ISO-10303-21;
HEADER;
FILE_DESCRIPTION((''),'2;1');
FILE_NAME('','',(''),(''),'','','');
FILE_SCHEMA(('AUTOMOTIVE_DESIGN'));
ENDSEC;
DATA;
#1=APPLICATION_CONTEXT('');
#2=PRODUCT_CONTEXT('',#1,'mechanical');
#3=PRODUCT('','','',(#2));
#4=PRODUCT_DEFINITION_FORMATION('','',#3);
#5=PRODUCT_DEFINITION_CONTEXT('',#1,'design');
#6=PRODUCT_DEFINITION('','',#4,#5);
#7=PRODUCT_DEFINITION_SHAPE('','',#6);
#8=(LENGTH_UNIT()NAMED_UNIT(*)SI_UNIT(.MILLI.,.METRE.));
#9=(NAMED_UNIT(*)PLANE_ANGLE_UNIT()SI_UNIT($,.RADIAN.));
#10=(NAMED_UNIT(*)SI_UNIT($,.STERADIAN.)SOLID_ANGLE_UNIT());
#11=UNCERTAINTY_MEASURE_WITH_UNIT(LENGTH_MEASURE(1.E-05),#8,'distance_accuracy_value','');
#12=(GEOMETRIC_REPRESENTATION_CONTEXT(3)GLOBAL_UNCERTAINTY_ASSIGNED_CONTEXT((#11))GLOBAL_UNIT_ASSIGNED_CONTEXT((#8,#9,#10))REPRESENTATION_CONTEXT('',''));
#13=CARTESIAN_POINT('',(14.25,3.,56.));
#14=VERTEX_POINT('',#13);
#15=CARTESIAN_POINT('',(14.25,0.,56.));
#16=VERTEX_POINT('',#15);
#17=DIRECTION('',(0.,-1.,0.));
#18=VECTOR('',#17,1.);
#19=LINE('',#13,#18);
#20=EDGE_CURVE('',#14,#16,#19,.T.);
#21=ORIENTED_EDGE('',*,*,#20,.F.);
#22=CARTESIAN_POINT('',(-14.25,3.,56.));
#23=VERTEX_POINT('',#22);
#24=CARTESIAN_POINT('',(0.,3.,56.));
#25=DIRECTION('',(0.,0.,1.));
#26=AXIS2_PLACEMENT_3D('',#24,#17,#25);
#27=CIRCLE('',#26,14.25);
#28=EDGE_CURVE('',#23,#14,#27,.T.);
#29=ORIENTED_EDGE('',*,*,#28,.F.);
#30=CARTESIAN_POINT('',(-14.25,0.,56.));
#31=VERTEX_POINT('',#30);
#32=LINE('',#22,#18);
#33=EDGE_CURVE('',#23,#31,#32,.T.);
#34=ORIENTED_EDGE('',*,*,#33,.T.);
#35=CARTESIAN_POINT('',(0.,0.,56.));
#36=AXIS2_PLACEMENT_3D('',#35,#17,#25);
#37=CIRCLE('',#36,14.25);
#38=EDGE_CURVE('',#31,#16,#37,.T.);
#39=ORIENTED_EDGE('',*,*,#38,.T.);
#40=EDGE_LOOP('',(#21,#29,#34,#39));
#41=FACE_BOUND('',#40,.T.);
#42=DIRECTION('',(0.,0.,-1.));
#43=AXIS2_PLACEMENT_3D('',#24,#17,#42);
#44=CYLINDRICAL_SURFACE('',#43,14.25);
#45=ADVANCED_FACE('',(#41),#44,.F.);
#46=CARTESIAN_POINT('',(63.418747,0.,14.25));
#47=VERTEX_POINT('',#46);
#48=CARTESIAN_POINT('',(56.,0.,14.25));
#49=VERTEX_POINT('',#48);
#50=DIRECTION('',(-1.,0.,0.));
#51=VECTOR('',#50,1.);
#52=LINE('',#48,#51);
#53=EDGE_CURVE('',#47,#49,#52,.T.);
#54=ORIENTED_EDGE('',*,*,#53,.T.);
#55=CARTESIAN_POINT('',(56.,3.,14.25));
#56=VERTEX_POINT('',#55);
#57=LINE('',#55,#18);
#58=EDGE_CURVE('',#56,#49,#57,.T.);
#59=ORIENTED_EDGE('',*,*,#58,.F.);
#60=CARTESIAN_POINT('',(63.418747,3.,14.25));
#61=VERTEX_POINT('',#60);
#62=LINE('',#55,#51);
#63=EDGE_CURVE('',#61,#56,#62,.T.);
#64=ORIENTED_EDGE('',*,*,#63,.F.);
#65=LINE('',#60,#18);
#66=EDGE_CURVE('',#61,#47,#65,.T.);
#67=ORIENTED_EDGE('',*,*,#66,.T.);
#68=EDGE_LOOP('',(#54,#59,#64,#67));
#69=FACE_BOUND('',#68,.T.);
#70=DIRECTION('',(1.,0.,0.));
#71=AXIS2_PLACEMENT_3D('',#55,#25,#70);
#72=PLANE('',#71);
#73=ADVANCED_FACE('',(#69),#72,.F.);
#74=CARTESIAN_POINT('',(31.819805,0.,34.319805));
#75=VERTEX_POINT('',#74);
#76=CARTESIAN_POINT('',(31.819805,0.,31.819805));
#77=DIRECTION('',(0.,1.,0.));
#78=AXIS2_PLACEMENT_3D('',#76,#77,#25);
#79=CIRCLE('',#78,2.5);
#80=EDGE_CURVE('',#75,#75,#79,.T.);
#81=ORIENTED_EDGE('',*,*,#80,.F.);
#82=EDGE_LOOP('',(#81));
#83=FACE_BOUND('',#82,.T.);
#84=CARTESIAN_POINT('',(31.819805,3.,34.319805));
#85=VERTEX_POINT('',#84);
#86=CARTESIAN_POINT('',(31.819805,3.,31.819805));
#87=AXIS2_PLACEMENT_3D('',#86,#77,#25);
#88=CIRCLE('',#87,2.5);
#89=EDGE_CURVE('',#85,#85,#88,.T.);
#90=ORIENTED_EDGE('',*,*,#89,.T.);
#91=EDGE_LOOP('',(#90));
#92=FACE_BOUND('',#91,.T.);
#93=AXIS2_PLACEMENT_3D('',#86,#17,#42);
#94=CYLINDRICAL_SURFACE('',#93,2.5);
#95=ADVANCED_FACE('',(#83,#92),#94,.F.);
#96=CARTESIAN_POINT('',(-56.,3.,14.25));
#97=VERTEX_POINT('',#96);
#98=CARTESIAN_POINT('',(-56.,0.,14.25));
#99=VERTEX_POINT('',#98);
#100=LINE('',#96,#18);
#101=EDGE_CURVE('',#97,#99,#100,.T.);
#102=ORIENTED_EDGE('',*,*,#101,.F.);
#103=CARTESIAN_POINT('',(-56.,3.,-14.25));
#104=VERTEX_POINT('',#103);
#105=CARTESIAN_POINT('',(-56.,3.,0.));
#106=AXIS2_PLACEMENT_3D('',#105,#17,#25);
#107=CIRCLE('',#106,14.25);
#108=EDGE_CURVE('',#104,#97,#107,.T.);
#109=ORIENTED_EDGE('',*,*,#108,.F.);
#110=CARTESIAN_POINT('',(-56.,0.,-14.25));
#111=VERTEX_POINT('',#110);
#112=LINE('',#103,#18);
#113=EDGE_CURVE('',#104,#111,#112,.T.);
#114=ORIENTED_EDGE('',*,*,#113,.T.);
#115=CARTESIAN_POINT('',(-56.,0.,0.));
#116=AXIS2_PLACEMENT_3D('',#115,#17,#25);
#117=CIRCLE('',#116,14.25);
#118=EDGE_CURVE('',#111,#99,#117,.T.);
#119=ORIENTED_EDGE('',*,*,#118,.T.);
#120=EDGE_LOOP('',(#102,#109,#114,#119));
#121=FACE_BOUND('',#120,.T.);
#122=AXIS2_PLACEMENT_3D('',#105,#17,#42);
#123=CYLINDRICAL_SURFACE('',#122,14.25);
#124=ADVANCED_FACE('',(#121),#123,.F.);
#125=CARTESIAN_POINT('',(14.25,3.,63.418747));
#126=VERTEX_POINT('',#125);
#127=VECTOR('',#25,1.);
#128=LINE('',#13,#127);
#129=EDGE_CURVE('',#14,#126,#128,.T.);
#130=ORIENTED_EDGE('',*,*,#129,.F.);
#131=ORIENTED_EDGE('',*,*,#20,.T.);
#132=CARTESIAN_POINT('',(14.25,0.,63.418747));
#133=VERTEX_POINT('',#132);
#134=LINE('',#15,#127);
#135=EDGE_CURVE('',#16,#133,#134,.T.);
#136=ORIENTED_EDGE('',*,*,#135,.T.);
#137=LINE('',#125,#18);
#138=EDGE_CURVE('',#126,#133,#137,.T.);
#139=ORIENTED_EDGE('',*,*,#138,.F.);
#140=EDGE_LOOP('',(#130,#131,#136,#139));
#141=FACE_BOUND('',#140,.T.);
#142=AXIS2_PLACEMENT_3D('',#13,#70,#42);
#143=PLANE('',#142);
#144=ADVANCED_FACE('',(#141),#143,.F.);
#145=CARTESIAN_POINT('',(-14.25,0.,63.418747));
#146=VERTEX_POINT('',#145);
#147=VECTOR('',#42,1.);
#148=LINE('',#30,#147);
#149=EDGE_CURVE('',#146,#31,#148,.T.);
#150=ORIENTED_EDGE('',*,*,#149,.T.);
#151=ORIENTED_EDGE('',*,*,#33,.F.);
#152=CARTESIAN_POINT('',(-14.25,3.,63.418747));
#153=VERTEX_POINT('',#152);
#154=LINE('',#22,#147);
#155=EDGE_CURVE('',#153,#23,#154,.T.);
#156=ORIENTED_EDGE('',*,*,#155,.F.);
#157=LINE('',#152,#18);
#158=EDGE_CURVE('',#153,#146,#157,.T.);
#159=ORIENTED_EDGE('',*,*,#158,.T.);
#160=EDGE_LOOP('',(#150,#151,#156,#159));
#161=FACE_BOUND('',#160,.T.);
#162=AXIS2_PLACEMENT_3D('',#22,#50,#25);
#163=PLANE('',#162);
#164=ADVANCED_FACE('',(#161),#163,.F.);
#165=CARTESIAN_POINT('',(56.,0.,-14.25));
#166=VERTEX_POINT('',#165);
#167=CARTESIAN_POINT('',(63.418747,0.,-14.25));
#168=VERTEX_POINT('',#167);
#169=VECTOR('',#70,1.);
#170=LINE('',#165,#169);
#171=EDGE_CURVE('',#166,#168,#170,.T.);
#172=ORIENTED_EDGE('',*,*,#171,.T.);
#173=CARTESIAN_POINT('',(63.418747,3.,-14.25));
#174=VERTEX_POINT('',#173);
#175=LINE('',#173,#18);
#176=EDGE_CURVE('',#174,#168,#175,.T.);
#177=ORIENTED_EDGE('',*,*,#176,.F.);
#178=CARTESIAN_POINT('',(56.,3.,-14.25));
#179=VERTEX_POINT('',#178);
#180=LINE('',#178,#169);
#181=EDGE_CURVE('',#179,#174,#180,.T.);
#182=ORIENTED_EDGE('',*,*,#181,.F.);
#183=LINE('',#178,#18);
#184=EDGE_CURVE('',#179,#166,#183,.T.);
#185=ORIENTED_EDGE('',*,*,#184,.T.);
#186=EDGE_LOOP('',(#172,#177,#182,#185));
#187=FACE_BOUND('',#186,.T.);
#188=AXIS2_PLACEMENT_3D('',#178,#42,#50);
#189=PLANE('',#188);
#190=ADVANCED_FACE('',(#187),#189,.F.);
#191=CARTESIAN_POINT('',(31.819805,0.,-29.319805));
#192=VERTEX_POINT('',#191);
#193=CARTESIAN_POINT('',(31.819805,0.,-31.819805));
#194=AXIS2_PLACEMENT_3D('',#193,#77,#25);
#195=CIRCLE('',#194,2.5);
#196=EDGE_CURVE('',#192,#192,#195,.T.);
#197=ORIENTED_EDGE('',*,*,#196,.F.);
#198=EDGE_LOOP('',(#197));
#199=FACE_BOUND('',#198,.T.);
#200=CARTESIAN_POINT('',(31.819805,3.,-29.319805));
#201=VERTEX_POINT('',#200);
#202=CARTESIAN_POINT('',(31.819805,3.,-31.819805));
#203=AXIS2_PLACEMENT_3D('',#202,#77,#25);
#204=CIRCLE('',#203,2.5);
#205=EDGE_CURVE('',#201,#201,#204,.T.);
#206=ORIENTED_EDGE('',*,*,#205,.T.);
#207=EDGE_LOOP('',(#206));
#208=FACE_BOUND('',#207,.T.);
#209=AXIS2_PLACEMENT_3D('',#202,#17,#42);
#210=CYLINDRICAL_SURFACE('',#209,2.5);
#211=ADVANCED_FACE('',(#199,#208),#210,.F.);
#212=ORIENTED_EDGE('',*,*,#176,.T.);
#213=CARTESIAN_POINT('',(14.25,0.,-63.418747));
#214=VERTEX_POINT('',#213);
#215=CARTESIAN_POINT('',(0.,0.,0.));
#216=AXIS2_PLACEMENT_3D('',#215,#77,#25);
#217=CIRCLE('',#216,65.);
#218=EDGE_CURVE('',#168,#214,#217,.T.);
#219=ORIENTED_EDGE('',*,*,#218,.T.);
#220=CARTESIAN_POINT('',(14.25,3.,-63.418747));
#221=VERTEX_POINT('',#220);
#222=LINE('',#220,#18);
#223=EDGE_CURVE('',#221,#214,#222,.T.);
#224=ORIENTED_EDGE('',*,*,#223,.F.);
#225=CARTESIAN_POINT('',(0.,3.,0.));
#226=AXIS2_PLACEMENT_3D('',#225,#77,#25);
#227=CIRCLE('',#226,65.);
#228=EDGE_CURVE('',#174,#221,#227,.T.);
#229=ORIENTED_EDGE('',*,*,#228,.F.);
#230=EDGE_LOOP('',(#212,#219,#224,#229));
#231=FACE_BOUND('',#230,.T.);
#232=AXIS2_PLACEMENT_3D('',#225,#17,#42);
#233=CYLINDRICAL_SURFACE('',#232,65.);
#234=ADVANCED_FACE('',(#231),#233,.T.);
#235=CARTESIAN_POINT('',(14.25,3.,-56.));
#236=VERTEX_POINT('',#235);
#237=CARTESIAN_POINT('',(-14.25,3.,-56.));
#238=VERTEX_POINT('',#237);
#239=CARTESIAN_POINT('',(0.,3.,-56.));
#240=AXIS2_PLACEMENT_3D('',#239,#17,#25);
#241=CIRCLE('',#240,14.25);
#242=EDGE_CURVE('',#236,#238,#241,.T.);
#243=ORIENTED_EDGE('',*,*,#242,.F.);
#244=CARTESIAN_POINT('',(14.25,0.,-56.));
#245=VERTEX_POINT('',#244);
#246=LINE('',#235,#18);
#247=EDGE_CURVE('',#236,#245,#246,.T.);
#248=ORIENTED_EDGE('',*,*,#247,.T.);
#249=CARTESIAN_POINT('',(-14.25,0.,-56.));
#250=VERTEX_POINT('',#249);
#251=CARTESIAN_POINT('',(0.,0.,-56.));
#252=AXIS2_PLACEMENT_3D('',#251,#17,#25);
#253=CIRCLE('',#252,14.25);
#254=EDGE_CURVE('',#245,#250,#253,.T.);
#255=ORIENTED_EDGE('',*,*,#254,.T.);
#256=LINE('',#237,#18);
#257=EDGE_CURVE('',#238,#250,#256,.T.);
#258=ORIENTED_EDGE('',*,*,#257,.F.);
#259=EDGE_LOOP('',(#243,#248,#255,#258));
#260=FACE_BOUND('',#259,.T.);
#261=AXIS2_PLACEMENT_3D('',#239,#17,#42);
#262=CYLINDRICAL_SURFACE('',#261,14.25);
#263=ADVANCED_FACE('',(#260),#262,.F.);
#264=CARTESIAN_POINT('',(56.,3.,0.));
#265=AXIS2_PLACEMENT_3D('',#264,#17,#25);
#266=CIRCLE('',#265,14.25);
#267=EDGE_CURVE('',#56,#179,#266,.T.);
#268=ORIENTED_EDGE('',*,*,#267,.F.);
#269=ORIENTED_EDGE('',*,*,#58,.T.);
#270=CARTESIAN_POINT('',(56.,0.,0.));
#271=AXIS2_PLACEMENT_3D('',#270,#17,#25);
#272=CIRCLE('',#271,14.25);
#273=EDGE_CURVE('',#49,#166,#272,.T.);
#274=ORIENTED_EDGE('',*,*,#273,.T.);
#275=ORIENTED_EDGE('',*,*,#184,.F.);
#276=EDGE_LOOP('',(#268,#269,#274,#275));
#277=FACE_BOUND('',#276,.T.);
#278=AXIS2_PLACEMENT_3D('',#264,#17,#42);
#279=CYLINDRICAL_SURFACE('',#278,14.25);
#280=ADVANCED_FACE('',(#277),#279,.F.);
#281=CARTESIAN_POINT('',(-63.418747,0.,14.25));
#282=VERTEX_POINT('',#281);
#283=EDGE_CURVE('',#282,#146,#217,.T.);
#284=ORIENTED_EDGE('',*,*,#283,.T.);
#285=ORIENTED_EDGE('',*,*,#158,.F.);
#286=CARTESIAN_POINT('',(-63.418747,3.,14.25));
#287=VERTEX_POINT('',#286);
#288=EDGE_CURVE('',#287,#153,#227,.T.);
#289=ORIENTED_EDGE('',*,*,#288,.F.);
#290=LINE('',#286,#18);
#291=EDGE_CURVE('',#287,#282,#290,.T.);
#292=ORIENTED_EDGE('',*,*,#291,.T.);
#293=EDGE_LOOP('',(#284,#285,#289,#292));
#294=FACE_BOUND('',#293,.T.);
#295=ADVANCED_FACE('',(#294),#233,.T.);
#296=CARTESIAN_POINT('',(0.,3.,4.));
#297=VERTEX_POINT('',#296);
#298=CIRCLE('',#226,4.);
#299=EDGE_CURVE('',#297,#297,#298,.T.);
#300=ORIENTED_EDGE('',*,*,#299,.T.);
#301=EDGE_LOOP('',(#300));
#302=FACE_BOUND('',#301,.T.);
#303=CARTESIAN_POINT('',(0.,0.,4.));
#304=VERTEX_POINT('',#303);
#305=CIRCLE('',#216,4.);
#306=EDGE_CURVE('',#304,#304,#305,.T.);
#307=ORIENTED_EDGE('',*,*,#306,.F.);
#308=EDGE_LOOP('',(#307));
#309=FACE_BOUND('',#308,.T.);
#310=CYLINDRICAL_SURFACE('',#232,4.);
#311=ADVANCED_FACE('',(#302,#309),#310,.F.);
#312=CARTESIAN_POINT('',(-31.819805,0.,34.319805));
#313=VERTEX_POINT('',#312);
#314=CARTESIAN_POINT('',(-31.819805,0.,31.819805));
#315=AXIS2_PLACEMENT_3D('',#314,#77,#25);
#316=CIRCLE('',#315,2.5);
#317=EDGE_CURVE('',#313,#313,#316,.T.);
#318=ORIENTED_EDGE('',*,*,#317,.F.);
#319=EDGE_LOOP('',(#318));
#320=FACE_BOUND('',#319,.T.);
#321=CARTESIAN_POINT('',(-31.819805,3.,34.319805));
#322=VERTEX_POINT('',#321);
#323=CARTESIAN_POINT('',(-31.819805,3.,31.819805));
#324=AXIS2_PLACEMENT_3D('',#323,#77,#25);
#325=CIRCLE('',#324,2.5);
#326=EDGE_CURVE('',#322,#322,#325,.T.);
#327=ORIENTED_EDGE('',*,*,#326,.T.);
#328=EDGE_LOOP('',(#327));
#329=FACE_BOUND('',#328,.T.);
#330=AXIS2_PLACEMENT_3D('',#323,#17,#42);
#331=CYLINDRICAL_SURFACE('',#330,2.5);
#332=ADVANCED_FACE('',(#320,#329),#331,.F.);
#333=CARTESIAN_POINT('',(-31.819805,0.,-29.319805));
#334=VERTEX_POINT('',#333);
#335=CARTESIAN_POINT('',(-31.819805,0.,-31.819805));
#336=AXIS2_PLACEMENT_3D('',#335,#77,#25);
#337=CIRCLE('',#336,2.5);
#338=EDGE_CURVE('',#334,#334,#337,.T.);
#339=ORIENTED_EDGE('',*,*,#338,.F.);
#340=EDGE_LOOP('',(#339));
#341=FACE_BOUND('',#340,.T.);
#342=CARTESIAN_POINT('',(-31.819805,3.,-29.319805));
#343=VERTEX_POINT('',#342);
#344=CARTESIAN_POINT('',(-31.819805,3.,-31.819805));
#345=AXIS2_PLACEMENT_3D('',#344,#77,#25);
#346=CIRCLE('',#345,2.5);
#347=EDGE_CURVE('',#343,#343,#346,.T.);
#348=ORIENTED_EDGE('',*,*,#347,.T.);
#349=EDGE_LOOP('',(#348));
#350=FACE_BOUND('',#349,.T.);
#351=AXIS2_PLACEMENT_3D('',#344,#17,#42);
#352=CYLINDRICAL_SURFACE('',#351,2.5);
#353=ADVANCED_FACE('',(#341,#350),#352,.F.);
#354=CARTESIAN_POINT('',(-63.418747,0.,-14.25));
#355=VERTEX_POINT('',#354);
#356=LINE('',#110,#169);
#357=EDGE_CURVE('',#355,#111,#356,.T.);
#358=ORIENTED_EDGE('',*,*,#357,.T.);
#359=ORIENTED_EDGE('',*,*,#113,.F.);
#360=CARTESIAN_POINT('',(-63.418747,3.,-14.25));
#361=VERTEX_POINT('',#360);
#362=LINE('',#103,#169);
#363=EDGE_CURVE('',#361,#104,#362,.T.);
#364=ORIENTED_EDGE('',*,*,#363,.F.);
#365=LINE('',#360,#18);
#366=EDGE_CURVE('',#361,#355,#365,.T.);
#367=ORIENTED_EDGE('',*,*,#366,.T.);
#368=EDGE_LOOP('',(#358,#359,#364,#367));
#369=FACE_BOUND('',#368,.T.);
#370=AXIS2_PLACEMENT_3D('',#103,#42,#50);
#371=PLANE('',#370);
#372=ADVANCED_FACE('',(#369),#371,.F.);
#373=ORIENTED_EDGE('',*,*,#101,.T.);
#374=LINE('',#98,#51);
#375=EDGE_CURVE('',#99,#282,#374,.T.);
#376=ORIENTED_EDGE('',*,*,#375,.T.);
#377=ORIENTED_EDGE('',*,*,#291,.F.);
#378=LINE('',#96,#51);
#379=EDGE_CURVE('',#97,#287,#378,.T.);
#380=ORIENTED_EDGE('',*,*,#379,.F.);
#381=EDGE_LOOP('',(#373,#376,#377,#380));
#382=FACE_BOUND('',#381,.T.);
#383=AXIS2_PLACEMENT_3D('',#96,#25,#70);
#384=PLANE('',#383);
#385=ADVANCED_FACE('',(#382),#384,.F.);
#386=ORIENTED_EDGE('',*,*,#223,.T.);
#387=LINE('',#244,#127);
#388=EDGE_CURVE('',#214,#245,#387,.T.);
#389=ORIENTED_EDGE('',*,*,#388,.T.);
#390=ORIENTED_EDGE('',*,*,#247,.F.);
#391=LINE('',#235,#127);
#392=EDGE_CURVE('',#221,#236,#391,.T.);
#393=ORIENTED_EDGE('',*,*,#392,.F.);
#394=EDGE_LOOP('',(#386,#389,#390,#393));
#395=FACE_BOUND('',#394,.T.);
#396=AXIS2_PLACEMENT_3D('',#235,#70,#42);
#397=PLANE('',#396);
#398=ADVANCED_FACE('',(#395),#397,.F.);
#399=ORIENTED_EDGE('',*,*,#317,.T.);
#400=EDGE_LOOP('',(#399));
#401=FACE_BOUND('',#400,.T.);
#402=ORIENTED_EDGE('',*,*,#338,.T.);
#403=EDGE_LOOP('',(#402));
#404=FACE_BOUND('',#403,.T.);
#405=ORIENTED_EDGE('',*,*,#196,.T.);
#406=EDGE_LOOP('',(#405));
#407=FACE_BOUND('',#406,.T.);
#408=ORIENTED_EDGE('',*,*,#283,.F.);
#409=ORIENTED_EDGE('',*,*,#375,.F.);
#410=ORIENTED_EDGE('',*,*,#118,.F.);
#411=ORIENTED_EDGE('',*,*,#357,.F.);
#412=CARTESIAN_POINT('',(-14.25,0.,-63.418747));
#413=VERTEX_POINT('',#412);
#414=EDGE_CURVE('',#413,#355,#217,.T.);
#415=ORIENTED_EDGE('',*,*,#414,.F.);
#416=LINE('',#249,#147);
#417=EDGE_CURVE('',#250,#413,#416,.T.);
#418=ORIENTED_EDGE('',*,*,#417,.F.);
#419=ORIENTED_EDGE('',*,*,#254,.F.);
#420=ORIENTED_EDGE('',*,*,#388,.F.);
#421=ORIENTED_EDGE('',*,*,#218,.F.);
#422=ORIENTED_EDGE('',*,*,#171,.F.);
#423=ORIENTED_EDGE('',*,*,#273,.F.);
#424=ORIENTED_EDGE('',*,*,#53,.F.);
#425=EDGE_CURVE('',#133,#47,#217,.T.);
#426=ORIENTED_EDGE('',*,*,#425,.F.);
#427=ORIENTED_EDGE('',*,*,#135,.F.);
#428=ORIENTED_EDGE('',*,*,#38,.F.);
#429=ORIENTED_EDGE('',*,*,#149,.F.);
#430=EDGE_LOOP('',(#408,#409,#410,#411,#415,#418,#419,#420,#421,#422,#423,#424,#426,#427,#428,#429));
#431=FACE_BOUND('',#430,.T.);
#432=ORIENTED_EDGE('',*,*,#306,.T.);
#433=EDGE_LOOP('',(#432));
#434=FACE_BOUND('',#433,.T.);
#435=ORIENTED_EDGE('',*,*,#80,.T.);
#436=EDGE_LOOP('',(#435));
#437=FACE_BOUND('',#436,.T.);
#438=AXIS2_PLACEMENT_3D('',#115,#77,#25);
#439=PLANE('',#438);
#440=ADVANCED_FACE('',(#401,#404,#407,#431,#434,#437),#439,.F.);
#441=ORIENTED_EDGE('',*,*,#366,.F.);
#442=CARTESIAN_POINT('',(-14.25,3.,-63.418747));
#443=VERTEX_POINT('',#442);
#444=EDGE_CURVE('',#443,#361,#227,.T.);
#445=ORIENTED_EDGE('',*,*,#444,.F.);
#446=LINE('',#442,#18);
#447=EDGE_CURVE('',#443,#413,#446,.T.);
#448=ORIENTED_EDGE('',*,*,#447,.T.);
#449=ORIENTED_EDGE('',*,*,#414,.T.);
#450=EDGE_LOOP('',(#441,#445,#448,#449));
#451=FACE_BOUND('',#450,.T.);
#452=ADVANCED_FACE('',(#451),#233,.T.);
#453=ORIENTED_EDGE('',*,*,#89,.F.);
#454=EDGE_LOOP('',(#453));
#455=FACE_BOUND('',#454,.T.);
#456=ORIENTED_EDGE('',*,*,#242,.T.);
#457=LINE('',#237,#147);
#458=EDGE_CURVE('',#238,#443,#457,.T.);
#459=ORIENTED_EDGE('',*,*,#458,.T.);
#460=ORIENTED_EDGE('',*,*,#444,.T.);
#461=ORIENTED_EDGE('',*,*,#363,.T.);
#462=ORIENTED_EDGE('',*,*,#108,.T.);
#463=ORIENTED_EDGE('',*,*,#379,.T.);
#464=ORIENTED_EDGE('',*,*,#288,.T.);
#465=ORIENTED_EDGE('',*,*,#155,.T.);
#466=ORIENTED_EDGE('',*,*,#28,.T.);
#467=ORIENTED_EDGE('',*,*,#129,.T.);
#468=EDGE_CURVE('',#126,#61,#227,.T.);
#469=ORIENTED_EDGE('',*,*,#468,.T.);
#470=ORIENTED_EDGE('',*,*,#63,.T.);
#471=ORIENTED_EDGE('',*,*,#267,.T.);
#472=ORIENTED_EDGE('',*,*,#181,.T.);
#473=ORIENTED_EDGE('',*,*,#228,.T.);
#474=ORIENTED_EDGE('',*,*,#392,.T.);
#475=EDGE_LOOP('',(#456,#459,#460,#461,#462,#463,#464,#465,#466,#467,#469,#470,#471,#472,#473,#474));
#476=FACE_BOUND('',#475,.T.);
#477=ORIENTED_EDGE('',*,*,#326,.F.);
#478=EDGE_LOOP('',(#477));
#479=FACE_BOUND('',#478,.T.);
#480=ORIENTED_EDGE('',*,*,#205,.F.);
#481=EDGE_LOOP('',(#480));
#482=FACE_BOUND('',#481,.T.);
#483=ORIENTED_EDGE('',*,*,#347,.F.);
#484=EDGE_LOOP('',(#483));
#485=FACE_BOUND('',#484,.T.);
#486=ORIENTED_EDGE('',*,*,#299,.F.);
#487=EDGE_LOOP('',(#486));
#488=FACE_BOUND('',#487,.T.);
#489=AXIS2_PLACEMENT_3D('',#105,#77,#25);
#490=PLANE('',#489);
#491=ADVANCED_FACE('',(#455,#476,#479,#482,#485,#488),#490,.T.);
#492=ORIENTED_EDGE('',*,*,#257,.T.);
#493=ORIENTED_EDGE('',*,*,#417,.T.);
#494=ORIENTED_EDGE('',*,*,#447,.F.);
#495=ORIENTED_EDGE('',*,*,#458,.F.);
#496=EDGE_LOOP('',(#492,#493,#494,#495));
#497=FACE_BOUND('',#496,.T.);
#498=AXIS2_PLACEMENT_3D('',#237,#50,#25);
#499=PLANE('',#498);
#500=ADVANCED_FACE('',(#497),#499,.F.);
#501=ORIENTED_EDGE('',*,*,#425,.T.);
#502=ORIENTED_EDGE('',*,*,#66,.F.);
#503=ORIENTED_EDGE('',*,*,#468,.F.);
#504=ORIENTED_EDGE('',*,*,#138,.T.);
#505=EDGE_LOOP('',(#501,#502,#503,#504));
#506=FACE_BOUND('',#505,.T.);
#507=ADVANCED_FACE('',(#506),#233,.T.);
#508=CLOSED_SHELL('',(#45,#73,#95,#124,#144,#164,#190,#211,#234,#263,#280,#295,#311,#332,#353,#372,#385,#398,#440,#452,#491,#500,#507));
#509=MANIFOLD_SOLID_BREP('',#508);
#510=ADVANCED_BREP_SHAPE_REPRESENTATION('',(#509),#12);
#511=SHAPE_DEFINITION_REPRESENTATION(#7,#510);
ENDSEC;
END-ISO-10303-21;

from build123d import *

# Parameters (mm, degrees)
SKETCH1_R           = 2.5
SKETCH1_R_2         = 4
BOSS_EXTRUDE1_DEPTH = 3


with BuildPart() as part:
    # Sketch1 → Boss-Extrude1 (new body)
    with BuildSketch(Plane(origin=(0, 0, 0), x_dir=(1, 0, 0), z_dir=(0, 1, 0))):
        with BuildLine():
            Line((-56, 14.25), (-63.418747228, 14.25))
            ThreePointArc((-63.418747228, 14.25), (-45.961940777, 45.961940777), (-14.25, 63.418747228))
            Line((-14.25, 63.418747228), (-14.25, 56))
            ThreePointArc((-14.25, 56), (0, 41.75), (14.25, 56))
            Line((14.25, 56), (14.25, 63.418747228))
            ThreePointArc((14.25, 63.418747228), (45.961940777, 45.961940777), (63.418747228, 14.25))
            Line((63.418747228, 14.25), (56, 14.25))
            ThreePointArc((56, 14.25), (41.75, 0), (56, -14.25))
            Line((56, -14.25), (63.418747228, -14.25))
            ThreePointArc((63.418747228, -14.25), (45.961940777, -45.961940777), (14.25, -63.418747228))
            Line((14.25, -63.418747228), (14.25, -56))
            ThreePointArc((14.25, -56), (0, -41.75), (-14.25, -56))
            Line((-14.25, -56), (-14.25, -63.418747228))
            ThreePointArc((-14.25, -63.418747228), (-45.961940777, -45.961940777), (-63.418747228, -14.25))
            Line((-63.418747228, -14.25), (-56, -14.25))
            ThreePointArc((-56, -14.25), (-41.75, 0), (-56, 14.25))
        make_face()
        with Locations(Location((-31.819805153, 31.819805153, 0), (0, 0, 270))):
            Circle(SKETCH1_R, mode=Mode.SUBTRACT)
        with Locations(Location((31.819805153, 31.819805153, 0), (0, 0, 270))):
            Circle(SKETCH1_R, mode=Mode.SUBTRACT)
        with Locations(Location((31.819805153, -31.819805153, 0), (0, 0, 270))):
            Circle(SKETCH1_R, mode=Mode.SUBTRACT)
        with Locations(Location((-31.819805153, -31.819805153, 0), (0, 0, 270))):
            Circle(SKETCH1_R, mode=Mode.SUBTRACT)
        with Locations(Location((0, 0, 0), (0, 0, 270))):
            Circle(SKETCH1_R_2, mode=Mode.SUBTRACT)
    extrude(amount=BOSS_EXTRUDE1_DEPTH)


solid = part.part
